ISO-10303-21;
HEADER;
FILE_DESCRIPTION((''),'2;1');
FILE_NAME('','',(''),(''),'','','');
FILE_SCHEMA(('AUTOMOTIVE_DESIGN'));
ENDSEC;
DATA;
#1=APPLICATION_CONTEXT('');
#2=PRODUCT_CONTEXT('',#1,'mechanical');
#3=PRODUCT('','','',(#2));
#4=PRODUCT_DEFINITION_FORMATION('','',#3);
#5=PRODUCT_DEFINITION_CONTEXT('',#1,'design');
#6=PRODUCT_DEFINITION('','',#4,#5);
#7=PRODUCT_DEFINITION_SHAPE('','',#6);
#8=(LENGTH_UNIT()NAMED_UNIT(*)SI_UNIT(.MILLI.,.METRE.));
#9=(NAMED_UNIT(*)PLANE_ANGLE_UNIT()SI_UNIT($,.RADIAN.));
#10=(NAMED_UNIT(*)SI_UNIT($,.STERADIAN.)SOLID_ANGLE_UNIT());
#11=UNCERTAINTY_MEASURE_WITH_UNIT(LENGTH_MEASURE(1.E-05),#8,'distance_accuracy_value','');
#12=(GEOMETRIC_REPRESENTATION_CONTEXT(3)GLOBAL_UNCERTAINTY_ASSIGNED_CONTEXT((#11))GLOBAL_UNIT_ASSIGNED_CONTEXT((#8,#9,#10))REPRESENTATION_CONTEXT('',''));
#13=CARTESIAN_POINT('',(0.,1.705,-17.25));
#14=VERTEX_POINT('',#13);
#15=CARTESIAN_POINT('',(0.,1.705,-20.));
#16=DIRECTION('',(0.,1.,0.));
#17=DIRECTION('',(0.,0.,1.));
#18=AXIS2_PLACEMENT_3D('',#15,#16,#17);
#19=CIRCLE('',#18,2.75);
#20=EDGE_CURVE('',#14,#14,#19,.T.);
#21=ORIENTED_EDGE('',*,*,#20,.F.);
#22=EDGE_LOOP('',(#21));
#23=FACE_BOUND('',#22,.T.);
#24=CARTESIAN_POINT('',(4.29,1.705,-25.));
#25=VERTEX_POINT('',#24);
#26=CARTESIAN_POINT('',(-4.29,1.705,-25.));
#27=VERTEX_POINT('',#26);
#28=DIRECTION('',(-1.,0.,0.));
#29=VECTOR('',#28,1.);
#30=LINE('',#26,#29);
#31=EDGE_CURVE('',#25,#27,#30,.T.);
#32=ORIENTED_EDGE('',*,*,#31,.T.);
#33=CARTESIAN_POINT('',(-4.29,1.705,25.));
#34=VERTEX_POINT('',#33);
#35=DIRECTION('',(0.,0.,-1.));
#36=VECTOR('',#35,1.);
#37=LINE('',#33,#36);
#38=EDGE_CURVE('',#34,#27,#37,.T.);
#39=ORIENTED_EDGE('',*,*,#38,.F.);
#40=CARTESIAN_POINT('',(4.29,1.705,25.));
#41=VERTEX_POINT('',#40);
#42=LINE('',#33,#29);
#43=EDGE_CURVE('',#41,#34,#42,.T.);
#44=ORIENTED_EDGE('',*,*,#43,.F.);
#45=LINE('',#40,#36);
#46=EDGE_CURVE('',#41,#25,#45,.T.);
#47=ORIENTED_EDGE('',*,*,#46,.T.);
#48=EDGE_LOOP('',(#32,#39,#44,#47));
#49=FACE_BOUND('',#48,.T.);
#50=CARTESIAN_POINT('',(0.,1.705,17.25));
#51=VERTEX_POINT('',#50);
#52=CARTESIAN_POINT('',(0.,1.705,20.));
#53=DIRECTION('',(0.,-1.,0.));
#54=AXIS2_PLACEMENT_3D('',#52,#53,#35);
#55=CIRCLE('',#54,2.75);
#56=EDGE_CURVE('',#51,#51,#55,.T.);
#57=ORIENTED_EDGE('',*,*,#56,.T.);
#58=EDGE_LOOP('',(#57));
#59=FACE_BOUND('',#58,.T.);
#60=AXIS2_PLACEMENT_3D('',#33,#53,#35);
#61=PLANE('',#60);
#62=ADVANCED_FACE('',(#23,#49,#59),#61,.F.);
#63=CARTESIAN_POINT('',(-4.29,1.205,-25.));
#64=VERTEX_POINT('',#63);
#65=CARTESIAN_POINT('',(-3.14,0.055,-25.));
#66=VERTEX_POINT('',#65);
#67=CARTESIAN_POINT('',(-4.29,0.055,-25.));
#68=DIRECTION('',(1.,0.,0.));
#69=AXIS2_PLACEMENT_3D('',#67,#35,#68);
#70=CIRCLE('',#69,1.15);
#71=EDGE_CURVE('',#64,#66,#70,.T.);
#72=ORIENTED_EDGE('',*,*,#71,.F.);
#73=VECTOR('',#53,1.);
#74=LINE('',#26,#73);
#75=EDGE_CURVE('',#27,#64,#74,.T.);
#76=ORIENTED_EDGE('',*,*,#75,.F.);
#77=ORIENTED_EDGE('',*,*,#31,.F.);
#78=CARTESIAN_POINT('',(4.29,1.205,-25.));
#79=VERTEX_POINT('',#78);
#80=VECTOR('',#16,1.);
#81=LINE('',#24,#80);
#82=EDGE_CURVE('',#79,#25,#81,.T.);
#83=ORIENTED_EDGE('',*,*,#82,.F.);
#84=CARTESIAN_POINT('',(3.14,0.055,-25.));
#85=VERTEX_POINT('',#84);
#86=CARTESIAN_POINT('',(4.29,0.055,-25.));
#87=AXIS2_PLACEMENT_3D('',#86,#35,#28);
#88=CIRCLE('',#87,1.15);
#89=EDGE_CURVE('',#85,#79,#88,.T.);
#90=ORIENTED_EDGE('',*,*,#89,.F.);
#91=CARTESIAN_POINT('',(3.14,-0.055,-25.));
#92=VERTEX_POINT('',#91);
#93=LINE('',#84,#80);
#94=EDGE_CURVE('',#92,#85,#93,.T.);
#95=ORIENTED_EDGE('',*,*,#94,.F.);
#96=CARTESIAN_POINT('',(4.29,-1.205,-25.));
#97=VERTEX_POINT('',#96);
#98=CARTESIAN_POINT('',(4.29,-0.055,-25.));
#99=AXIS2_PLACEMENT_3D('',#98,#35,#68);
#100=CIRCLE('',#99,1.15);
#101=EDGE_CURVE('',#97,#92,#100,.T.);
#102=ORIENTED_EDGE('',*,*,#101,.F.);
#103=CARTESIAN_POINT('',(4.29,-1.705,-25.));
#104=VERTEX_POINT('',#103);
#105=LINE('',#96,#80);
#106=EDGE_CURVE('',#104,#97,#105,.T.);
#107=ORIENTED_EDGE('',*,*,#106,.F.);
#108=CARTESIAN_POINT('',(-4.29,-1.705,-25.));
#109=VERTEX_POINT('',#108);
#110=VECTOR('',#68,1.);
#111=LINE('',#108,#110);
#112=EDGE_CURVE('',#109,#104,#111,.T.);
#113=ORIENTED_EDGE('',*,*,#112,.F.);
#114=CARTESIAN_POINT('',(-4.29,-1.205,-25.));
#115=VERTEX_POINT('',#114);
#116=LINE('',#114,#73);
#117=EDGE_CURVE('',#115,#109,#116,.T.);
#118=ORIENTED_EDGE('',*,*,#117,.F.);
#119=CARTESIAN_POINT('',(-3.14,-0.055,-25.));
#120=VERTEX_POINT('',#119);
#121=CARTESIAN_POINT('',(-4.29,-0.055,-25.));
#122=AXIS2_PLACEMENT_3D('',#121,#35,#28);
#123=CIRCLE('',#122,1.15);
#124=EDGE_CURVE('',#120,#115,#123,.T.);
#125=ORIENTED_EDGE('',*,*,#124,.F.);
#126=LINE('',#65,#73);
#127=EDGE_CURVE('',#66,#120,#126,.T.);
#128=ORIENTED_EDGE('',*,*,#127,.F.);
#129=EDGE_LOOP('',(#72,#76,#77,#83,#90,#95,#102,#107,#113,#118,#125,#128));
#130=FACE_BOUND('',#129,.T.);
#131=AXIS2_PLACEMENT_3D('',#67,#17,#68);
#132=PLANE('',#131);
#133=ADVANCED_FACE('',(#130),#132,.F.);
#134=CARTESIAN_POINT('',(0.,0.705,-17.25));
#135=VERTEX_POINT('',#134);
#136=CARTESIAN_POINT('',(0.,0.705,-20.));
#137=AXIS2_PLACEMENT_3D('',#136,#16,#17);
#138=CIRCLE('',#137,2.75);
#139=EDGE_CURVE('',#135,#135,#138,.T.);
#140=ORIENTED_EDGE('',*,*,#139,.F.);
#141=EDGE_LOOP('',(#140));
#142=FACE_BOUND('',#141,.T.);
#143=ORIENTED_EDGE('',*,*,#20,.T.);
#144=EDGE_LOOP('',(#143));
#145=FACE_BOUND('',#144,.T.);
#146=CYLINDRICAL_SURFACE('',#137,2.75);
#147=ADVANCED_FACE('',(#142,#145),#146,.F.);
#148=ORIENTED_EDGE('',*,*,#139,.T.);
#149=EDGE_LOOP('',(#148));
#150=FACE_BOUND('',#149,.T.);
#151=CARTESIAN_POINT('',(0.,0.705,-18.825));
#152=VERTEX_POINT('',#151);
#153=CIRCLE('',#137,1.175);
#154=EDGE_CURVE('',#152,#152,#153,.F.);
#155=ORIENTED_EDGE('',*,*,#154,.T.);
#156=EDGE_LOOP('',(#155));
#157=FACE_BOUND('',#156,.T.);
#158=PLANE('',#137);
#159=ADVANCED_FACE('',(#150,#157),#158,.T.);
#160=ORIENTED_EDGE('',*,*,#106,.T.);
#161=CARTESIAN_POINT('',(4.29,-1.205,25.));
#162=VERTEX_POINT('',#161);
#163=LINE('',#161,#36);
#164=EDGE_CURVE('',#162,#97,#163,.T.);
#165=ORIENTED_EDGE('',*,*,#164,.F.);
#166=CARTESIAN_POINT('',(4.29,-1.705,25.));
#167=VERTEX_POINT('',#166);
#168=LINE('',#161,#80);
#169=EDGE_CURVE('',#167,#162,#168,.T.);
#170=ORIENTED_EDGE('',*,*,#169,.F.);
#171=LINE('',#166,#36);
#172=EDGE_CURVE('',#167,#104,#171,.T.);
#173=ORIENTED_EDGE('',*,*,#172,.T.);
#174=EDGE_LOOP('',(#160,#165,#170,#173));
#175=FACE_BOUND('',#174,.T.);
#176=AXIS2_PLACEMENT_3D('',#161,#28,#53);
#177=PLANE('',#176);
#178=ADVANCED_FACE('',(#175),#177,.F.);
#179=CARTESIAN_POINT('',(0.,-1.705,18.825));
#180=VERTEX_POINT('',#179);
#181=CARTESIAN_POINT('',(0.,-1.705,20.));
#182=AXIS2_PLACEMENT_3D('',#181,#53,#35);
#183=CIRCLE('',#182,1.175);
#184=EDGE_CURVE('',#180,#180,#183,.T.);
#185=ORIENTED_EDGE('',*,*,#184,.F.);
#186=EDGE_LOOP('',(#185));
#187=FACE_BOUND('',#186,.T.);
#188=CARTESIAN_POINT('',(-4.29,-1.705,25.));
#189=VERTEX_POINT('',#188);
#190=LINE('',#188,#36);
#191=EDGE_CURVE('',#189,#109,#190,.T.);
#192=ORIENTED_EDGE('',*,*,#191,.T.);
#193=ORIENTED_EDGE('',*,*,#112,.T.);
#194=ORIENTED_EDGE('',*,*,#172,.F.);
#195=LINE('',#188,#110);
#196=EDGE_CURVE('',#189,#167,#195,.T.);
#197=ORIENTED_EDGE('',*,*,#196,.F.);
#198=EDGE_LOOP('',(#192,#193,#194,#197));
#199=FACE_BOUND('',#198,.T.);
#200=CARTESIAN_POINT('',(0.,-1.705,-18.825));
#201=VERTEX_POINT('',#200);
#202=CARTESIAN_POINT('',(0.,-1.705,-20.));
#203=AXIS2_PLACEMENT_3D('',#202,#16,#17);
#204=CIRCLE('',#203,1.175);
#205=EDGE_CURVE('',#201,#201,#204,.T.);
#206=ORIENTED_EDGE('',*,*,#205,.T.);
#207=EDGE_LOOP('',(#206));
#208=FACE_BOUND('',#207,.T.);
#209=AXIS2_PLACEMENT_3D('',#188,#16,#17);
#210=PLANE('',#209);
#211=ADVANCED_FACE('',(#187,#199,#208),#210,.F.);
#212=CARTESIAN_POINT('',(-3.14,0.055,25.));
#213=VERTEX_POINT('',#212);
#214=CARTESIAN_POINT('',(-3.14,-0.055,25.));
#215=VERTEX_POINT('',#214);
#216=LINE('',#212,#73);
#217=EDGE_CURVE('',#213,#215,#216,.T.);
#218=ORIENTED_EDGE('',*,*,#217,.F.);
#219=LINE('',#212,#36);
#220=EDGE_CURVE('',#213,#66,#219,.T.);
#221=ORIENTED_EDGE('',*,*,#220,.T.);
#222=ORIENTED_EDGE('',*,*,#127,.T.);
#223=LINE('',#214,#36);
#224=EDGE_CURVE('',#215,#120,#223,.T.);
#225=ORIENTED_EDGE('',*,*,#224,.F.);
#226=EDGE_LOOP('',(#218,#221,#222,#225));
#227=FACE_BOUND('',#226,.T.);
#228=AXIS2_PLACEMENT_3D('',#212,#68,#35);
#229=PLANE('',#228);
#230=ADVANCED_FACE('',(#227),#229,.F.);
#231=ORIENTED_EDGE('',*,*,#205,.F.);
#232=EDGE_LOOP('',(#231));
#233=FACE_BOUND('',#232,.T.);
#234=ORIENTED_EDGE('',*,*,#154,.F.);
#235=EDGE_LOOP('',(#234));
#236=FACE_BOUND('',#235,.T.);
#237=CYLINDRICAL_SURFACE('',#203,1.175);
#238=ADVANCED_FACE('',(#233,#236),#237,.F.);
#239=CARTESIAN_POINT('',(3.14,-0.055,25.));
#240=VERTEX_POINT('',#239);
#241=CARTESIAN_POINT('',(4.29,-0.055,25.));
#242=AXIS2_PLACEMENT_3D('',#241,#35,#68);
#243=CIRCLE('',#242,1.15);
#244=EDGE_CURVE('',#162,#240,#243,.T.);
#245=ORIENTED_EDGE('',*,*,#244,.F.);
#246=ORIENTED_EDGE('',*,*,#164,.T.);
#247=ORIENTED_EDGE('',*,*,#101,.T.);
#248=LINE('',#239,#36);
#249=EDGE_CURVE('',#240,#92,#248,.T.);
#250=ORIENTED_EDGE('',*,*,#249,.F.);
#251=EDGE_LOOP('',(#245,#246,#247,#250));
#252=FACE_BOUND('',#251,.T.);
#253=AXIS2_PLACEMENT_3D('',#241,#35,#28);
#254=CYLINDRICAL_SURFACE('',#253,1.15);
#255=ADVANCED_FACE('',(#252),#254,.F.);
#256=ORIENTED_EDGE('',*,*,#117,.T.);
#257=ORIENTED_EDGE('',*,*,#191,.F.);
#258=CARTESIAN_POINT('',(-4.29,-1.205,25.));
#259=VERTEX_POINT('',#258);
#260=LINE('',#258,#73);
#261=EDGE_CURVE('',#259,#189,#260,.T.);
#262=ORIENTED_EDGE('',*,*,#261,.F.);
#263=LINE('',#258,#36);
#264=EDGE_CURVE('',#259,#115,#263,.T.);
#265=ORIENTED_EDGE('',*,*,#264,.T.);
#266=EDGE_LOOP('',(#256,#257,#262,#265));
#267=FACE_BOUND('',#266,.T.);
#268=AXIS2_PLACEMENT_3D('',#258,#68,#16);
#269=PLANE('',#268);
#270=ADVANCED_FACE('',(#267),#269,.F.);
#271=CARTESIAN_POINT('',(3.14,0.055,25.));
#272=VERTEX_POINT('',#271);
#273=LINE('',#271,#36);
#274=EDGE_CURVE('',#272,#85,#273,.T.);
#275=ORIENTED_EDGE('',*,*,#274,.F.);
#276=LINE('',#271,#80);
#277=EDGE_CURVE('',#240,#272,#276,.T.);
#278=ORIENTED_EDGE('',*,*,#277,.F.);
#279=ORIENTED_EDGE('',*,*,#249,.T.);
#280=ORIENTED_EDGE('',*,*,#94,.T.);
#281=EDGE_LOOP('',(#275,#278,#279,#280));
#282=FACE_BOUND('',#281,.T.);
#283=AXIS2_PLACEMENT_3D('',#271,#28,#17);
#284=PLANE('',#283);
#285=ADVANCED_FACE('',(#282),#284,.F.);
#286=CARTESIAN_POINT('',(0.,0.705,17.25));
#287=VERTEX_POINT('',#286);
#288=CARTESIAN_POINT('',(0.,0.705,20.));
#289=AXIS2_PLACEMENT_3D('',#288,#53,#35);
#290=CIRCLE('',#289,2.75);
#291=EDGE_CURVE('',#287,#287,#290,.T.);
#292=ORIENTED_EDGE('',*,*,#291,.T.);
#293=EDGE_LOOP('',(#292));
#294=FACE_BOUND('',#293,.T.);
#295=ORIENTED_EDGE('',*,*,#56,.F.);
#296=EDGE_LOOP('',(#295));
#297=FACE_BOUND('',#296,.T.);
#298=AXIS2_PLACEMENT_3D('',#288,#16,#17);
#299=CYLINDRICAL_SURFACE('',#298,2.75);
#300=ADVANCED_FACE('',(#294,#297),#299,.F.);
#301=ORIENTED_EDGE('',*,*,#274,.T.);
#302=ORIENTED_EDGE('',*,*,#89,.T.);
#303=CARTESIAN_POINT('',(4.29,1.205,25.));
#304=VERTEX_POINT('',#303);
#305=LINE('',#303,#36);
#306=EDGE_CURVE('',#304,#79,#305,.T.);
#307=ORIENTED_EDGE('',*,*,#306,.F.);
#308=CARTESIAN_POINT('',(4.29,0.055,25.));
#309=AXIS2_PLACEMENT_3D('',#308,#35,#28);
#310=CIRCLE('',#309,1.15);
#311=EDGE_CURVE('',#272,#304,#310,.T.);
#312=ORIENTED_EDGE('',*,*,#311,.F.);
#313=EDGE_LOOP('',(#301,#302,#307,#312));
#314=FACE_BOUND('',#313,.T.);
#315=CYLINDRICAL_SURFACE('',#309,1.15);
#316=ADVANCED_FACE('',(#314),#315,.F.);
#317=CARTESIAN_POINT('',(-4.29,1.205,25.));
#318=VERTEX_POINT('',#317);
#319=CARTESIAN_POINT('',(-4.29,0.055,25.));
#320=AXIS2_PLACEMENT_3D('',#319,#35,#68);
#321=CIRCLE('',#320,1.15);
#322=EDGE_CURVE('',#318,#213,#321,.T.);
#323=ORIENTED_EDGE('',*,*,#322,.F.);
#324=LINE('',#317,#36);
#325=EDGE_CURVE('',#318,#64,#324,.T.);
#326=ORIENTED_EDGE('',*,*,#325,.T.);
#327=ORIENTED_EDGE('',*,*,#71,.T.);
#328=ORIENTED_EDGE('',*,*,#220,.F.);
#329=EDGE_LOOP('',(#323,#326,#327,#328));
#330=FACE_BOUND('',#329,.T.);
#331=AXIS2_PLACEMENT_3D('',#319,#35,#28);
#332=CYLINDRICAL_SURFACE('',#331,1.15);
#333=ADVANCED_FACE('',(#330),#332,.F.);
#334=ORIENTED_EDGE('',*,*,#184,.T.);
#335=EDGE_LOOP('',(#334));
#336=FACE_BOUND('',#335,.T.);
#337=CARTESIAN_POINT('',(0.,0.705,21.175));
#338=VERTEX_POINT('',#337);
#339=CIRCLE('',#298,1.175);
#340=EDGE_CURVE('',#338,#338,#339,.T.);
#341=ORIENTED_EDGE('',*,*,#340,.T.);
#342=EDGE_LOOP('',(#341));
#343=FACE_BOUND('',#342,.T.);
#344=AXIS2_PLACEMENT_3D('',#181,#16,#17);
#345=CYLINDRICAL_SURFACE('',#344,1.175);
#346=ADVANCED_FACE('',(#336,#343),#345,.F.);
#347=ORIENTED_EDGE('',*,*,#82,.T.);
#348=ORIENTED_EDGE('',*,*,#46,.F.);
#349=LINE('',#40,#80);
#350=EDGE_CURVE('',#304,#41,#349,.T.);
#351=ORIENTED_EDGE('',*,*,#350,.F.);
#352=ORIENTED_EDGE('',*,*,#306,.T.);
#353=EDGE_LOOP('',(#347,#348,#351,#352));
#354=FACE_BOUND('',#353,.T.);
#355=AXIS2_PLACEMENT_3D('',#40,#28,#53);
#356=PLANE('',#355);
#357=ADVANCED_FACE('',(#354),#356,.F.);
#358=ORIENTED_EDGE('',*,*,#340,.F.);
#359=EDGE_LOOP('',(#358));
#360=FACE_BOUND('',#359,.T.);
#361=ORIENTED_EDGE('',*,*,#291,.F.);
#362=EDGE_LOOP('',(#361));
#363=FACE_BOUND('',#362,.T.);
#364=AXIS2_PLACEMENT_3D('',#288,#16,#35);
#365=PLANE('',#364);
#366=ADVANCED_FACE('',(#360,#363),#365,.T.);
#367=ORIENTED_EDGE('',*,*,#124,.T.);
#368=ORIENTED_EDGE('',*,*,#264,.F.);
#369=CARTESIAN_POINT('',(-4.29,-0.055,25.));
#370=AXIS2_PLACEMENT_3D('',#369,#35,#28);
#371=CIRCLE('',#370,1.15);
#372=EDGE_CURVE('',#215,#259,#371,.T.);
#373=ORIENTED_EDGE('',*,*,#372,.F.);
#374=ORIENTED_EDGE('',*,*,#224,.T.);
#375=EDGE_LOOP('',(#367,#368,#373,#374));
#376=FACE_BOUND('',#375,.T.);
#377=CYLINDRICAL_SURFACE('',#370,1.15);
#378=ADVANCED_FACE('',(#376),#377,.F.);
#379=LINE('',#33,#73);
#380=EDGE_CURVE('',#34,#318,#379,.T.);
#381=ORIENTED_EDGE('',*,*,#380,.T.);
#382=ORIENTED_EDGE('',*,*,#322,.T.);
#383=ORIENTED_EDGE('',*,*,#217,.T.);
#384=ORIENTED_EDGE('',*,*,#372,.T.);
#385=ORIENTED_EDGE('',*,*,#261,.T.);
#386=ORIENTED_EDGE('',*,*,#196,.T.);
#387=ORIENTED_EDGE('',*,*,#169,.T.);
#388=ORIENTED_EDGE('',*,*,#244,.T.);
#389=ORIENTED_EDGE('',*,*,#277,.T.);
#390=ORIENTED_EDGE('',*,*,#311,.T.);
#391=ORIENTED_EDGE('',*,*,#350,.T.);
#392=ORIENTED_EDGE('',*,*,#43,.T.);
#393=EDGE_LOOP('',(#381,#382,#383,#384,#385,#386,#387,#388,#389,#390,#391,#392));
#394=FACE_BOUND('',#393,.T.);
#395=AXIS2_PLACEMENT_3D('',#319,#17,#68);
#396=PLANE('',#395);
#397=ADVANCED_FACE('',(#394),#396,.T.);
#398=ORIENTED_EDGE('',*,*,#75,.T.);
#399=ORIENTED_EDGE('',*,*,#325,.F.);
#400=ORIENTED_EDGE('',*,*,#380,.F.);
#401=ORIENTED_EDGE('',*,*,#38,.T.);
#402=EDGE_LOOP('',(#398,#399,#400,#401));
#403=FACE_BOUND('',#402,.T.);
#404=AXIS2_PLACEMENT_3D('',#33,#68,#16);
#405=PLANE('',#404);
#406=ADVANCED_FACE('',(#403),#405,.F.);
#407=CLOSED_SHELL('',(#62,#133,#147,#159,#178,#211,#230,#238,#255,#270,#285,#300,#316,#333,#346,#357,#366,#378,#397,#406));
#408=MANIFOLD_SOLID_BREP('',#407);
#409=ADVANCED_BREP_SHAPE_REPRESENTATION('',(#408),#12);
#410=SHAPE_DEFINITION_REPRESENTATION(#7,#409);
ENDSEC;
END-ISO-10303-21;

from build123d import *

# Parameters (mm, degrees)
BOSS_EXTRUDE1_DEPTH = 25
SKETCH2_R           = 1.175
CUT_EXTRUDE1_DEPTH  = 4.41
SKETCH3_R           = 2.75
CUT_EXTRUDE2_DEPTH  = 1


with BuildPart() as part:
    # Sketch1 → Boss-Extrude1 (new body, symmetric)
    with BuildSketch(Plane.XY):
        with BuildLine():
            Line((-3.14, 0.055), (-3.14, -0.055))
            ThreePointArc((-3.14, -0.055), (-3.476827202, -0.868172798), (-4.29, -1.205))
            Line((-4.29, -1.205), (-4.29, -1.705))
            Line((-4.29, -1.705), (4.29, -1.705))
            Line((4.29, -1.705), (4.29, -1.205))
            ThreePointArc((4.29, -1.205), (3.476827202, -0.868172798), (3.14, -0.055))
            Line((3.14, -0.055), (3.14, 0.055))
            ThreePointArc((3.14, 0.055), (3.476827202, 0.868172798), (4.29, 1.205))
            Line((4.29, 1.205), (4.29, 1.705))
            Line((4.29, 1.705), (-4.29, 1.705))
            Line((-4.29, 1.705), (-4.29, 1.205))
            ThreePointArc((-4.29, 1.205), (-3.476827202, 0.868172798), (-3.14, 0.055))
        make_face()
    extrude(amount=BOSS_EXTRUDE1_DEPTH, both=True)

    # Sketch2 → Cut-Extrude1 (cut, through all)
    with BuildSketch(Plane(origin=(0, 1.705, 0), x_dir=(1, 0, 0), z_dir=(0, 1, 0))):
        with Locations((0, 20)):
            Circle(SKETCH2_R)
    cut_extrude1 = extrude(amount=-CUT_EXTRUDE1_DEPTH, mode=Mode.SUBTRACT)

    # Sketch3 → Cut-Extrude2 (cut)
    with BuildSketch(Plane(origin=(0, 1.705, 0), x_dir=(1, 0, 0), z_dir=(0, 1, 0))):
        with Locations((0, 20)):
            Circle(SKETCH3_R)
    cut_extrude2 = extrude(amount=-CUT_EXTRUDE2_DEPTH, mode=Mode.SUBTRACT)

    # Mirror1: Cut-Extrude1, Cut-Extrude2 across plane
    add(cut_extrude1.mirror(Plane.XY), mode=Mode.SUBTRACT)
    add(cut_extrude2.mirror(Plane.XY), mode=Mode.SUBTRACT)


solid = part.part
